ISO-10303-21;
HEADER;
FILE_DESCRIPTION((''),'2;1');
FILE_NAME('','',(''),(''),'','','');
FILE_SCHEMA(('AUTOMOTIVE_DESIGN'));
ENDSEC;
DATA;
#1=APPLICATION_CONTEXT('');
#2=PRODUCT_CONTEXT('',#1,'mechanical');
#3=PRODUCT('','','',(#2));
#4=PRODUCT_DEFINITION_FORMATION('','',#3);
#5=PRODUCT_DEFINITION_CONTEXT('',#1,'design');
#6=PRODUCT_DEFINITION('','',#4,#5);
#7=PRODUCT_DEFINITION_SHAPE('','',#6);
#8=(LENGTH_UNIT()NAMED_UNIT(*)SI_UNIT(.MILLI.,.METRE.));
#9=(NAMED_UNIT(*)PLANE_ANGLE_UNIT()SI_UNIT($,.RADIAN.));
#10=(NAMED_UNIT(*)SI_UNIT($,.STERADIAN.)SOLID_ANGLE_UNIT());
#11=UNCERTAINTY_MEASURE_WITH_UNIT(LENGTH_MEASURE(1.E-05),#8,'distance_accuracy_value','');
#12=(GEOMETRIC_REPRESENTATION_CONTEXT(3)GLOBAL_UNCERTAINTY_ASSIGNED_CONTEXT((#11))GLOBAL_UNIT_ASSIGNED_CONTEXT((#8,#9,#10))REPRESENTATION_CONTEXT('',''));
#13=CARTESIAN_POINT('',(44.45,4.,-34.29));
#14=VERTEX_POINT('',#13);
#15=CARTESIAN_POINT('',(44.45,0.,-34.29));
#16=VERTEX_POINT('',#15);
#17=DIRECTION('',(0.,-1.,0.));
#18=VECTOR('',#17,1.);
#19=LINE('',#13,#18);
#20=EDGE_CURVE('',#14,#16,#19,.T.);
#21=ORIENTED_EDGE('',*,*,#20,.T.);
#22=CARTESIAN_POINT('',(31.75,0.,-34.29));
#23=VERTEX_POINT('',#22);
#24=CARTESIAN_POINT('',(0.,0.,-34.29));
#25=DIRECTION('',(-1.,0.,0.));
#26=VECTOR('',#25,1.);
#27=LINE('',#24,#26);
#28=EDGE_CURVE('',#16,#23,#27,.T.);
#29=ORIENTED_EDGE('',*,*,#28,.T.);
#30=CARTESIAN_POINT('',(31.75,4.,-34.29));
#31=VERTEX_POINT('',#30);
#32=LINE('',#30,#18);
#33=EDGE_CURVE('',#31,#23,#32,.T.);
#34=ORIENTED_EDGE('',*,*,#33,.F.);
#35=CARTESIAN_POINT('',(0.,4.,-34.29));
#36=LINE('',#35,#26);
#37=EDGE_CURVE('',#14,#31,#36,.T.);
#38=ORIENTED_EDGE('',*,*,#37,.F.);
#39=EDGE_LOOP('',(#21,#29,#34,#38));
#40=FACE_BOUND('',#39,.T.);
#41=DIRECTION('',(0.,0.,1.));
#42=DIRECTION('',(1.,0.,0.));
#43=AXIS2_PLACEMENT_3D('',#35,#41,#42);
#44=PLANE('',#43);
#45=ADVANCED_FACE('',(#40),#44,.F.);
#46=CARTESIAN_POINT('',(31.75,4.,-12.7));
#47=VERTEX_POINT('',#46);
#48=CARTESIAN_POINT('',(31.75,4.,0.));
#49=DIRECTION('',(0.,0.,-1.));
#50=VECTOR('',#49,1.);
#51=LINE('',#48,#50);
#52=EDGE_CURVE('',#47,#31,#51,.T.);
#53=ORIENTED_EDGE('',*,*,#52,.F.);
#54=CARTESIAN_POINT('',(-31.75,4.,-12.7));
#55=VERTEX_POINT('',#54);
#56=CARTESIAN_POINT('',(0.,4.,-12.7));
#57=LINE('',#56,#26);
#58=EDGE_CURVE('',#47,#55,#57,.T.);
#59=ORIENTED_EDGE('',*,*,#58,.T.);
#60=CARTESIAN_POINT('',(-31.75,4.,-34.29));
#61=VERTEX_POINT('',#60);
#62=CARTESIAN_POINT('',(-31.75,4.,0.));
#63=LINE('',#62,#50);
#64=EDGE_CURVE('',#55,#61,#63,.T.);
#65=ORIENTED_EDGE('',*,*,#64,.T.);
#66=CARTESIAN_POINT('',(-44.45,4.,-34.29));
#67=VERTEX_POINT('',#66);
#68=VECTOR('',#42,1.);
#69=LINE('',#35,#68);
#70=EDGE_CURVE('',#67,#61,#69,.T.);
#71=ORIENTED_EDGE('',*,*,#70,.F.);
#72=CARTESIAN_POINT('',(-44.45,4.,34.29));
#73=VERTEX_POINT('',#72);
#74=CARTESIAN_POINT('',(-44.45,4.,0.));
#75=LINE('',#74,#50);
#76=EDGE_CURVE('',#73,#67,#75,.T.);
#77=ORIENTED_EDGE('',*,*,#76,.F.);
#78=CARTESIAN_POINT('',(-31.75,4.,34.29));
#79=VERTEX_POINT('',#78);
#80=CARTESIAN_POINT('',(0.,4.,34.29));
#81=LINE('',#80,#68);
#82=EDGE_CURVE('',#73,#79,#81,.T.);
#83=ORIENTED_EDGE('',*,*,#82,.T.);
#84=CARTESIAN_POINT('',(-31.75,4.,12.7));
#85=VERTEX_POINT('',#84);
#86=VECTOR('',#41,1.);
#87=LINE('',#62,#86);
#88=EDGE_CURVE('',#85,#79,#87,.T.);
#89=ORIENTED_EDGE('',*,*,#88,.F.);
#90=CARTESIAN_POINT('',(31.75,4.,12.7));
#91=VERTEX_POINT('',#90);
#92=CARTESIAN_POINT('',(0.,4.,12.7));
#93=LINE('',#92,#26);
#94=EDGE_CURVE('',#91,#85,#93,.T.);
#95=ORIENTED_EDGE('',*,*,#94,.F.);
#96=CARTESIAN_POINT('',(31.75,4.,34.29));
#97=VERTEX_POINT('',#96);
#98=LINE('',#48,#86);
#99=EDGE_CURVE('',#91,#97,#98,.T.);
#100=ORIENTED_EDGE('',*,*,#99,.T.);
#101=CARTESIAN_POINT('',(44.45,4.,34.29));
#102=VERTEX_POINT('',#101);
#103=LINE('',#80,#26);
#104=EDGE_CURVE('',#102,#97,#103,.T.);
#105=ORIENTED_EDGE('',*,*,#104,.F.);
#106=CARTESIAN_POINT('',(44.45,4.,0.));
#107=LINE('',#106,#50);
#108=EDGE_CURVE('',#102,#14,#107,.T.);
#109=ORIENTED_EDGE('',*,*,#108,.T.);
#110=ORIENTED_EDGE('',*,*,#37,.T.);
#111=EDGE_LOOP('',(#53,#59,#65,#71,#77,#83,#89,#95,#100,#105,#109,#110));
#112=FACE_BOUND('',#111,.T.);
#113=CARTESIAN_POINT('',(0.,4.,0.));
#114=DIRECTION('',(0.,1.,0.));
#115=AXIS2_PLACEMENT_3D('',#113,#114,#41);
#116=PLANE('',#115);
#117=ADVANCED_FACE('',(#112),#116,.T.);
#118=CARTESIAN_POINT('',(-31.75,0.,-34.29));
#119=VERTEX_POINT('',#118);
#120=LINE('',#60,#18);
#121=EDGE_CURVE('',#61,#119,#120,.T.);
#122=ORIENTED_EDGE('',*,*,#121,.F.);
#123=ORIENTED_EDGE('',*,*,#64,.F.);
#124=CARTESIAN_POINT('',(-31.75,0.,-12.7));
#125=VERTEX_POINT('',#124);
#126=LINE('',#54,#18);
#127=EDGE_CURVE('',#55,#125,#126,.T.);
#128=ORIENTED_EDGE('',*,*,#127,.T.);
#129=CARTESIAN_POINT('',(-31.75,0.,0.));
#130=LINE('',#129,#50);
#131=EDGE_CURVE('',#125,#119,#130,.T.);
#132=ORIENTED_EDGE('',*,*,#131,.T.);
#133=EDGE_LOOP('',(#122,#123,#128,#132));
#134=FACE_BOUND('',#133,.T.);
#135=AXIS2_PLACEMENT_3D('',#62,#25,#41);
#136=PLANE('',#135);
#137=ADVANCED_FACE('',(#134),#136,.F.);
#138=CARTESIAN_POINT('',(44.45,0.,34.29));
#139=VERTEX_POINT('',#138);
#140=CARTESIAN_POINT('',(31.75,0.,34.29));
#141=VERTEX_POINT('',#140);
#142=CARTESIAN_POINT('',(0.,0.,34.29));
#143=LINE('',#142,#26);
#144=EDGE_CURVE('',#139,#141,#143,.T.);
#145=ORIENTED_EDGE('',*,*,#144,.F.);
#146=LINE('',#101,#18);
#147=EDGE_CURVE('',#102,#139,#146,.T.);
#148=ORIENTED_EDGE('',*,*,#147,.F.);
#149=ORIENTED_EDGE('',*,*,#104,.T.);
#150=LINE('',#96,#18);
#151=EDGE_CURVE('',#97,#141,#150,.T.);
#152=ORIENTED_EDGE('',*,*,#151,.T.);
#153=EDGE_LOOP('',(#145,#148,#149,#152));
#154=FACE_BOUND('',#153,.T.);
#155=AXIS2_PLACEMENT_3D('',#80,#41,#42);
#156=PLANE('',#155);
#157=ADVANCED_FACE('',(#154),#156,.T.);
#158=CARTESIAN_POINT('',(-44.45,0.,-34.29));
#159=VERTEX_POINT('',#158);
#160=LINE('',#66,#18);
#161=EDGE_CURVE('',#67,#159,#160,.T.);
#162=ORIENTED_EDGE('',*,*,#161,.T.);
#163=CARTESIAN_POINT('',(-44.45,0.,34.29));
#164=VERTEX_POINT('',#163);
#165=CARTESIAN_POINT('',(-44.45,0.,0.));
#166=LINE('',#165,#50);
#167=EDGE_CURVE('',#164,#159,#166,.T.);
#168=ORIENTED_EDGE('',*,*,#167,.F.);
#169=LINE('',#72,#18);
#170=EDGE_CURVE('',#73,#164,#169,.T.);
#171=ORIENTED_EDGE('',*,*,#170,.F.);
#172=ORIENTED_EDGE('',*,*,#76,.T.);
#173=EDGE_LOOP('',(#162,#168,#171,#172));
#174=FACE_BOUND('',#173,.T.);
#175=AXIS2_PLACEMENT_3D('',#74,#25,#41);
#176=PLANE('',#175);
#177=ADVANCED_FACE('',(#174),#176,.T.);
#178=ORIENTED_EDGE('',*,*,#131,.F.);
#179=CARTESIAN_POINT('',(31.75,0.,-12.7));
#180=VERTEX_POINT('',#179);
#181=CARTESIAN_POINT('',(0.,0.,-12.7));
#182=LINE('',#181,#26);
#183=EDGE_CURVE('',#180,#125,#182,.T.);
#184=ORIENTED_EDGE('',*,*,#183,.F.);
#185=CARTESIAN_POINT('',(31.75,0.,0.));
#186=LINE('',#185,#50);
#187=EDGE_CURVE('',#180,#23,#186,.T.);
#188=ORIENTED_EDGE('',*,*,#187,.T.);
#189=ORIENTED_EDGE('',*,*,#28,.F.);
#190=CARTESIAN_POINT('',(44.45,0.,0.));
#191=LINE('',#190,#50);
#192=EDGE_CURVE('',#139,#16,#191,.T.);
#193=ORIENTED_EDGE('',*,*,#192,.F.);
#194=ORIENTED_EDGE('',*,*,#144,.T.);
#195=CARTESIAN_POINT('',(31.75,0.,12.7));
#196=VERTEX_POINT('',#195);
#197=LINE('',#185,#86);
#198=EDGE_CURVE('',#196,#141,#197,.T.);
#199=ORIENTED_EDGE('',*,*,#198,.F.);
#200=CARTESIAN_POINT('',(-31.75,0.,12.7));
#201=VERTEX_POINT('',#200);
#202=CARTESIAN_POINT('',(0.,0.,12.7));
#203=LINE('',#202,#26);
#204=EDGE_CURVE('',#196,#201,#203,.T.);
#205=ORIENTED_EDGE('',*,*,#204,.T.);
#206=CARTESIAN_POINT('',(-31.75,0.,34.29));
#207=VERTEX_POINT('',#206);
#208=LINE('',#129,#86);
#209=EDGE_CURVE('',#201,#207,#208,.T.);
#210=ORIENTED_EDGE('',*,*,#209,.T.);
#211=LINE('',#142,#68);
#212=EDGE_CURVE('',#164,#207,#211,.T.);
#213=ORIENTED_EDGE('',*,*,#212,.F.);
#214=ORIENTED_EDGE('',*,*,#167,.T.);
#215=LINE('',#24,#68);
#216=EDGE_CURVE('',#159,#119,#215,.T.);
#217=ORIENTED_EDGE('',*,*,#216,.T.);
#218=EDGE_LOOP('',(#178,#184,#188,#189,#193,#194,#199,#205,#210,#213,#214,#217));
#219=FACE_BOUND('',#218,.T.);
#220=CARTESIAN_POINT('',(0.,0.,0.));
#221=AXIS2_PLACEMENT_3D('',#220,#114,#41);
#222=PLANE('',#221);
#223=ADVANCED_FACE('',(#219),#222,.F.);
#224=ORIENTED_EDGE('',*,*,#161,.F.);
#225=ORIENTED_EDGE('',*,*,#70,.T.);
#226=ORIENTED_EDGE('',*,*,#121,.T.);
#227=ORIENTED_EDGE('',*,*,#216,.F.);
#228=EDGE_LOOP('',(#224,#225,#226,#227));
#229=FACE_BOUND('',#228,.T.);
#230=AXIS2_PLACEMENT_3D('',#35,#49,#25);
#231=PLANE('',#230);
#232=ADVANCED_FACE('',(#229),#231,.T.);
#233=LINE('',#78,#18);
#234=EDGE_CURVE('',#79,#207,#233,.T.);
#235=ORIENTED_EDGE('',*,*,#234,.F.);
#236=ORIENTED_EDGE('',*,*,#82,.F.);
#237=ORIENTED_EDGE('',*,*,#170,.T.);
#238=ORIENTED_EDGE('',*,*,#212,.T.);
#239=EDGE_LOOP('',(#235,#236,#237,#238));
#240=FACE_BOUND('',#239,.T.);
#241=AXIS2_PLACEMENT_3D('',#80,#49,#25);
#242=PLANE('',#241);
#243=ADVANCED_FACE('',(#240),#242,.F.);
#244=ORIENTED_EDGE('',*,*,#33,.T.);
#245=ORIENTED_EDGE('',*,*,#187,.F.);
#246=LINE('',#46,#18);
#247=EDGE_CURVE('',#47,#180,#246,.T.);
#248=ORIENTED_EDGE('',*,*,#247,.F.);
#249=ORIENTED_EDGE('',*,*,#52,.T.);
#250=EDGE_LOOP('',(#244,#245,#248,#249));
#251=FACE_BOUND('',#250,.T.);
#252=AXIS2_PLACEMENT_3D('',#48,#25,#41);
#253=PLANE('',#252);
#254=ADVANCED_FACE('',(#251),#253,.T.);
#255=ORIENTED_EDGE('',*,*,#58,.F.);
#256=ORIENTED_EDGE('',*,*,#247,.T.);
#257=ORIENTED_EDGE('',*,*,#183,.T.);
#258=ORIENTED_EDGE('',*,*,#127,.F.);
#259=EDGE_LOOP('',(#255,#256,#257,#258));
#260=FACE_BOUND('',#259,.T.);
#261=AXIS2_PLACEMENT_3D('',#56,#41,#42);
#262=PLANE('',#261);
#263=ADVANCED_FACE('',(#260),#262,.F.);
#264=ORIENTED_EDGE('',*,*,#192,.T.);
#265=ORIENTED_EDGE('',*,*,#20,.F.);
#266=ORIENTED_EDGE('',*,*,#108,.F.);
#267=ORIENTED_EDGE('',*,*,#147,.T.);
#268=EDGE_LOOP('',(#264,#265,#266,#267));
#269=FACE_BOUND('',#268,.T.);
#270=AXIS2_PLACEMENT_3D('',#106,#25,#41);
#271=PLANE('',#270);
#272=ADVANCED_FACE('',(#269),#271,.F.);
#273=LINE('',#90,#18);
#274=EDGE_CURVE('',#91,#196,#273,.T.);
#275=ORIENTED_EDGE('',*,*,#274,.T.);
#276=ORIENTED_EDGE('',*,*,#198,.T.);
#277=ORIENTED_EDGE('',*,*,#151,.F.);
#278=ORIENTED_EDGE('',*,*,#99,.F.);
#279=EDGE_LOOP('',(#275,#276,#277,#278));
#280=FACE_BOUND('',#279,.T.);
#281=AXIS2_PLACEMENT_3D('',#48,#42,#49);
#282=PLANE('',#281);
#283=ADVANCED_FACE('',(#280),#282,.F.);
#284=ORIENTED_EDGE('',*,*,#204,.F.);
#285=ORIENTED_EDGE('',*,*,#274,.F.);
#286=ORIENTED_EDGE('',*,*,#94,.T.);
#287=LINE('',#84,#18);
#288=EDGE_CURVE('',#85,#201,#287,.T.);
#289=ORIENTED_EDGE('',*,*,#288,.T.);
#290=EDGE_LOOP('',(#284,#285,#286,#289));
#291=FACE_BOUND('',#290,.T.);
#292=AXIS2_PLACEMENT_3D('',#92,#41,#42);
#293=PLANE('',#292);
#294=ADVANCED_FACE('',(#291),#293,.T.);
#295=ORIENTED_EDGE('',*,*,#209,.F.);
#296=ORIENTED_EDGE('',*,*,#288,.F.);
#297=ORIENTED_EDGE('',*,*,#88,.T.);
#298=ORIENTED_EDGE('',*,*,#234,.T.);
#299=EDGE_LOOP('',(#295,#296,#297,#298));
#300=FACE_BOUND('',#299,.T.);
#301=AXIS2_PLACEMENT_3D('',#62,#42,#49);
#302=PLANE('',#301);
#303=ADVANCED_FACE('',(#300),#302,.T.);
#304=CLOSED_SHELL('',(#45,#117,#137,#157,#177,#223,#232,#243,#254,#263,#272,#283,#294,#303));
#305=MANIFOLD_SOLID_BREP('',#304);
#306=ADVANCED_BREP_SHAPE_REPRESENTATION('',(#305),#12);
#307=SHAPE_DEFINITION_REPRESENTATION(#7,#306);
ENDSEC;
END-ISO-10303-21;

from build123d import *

# Parameters (mm, degrees)
SKETCH1_W               = 88.9
SKETCH1_H               = 25.4
BOSS_EXTRUDE1_DEPTH     = 4
MIRROR3_COPY_1_SKETCH_W = 88.9
MIRROR3_COPY_1_SKETCH_H = 25.4
MIRROR3_COPY_1_DEPTH    = 4


with BuildPart() as part:
    # Sketch1 → Boss-Extrude1 (new body)
    with BuildSketch(Plane(origin=(0, 0, 0), x_dir=(1, 0, 0), z_dir=(0, 1, 0))):
        Rectangle(SKETCH1_W, SKETCH1_H)
        Polygon((-44.45, 34.29), (-44.45, 12.7), (-31.75, 12.7), (-31.75, 34.29), (-38.1, 34.29), align=None)
    boss_extrude1 = extrude(amount=BOSS_EXTRUDE1_DEPTH)

    # Mirror1: Boss-Extrude1 across plane
    add(boss_extrude1.mirror(Plane.ZY))

    # Mirror2: Boss-Extrude1 across plane
    add(boss_extrude1.mirror(Plane.XY))

    # Mirror3: Boss-Extrude1 across plane
    add(boss_extrude1.mirror(Plane.ZY))

    # Mirror3 copy 1 sketch → Mirror3 copy 1 (add)
    with BuildSketch(Plane(origin=(0, 0, 0), x_dir=(-1, 0, 0), z_dir=(0, 1, 0))):
        Rectangle(MIRROR3_COPY_1_SKETCH_W, MIRROR3_COPY_1_SKETCH_H)
        Polygon((-44.45, 34.29), (-44.45, 12.7), (-31.75, 12.7), (-31.75, 34.29), (-38.1, 34.29), align=None)
    extrude(amount=MIRROR3_COPY_1_DEPTH)


solid = part.part
